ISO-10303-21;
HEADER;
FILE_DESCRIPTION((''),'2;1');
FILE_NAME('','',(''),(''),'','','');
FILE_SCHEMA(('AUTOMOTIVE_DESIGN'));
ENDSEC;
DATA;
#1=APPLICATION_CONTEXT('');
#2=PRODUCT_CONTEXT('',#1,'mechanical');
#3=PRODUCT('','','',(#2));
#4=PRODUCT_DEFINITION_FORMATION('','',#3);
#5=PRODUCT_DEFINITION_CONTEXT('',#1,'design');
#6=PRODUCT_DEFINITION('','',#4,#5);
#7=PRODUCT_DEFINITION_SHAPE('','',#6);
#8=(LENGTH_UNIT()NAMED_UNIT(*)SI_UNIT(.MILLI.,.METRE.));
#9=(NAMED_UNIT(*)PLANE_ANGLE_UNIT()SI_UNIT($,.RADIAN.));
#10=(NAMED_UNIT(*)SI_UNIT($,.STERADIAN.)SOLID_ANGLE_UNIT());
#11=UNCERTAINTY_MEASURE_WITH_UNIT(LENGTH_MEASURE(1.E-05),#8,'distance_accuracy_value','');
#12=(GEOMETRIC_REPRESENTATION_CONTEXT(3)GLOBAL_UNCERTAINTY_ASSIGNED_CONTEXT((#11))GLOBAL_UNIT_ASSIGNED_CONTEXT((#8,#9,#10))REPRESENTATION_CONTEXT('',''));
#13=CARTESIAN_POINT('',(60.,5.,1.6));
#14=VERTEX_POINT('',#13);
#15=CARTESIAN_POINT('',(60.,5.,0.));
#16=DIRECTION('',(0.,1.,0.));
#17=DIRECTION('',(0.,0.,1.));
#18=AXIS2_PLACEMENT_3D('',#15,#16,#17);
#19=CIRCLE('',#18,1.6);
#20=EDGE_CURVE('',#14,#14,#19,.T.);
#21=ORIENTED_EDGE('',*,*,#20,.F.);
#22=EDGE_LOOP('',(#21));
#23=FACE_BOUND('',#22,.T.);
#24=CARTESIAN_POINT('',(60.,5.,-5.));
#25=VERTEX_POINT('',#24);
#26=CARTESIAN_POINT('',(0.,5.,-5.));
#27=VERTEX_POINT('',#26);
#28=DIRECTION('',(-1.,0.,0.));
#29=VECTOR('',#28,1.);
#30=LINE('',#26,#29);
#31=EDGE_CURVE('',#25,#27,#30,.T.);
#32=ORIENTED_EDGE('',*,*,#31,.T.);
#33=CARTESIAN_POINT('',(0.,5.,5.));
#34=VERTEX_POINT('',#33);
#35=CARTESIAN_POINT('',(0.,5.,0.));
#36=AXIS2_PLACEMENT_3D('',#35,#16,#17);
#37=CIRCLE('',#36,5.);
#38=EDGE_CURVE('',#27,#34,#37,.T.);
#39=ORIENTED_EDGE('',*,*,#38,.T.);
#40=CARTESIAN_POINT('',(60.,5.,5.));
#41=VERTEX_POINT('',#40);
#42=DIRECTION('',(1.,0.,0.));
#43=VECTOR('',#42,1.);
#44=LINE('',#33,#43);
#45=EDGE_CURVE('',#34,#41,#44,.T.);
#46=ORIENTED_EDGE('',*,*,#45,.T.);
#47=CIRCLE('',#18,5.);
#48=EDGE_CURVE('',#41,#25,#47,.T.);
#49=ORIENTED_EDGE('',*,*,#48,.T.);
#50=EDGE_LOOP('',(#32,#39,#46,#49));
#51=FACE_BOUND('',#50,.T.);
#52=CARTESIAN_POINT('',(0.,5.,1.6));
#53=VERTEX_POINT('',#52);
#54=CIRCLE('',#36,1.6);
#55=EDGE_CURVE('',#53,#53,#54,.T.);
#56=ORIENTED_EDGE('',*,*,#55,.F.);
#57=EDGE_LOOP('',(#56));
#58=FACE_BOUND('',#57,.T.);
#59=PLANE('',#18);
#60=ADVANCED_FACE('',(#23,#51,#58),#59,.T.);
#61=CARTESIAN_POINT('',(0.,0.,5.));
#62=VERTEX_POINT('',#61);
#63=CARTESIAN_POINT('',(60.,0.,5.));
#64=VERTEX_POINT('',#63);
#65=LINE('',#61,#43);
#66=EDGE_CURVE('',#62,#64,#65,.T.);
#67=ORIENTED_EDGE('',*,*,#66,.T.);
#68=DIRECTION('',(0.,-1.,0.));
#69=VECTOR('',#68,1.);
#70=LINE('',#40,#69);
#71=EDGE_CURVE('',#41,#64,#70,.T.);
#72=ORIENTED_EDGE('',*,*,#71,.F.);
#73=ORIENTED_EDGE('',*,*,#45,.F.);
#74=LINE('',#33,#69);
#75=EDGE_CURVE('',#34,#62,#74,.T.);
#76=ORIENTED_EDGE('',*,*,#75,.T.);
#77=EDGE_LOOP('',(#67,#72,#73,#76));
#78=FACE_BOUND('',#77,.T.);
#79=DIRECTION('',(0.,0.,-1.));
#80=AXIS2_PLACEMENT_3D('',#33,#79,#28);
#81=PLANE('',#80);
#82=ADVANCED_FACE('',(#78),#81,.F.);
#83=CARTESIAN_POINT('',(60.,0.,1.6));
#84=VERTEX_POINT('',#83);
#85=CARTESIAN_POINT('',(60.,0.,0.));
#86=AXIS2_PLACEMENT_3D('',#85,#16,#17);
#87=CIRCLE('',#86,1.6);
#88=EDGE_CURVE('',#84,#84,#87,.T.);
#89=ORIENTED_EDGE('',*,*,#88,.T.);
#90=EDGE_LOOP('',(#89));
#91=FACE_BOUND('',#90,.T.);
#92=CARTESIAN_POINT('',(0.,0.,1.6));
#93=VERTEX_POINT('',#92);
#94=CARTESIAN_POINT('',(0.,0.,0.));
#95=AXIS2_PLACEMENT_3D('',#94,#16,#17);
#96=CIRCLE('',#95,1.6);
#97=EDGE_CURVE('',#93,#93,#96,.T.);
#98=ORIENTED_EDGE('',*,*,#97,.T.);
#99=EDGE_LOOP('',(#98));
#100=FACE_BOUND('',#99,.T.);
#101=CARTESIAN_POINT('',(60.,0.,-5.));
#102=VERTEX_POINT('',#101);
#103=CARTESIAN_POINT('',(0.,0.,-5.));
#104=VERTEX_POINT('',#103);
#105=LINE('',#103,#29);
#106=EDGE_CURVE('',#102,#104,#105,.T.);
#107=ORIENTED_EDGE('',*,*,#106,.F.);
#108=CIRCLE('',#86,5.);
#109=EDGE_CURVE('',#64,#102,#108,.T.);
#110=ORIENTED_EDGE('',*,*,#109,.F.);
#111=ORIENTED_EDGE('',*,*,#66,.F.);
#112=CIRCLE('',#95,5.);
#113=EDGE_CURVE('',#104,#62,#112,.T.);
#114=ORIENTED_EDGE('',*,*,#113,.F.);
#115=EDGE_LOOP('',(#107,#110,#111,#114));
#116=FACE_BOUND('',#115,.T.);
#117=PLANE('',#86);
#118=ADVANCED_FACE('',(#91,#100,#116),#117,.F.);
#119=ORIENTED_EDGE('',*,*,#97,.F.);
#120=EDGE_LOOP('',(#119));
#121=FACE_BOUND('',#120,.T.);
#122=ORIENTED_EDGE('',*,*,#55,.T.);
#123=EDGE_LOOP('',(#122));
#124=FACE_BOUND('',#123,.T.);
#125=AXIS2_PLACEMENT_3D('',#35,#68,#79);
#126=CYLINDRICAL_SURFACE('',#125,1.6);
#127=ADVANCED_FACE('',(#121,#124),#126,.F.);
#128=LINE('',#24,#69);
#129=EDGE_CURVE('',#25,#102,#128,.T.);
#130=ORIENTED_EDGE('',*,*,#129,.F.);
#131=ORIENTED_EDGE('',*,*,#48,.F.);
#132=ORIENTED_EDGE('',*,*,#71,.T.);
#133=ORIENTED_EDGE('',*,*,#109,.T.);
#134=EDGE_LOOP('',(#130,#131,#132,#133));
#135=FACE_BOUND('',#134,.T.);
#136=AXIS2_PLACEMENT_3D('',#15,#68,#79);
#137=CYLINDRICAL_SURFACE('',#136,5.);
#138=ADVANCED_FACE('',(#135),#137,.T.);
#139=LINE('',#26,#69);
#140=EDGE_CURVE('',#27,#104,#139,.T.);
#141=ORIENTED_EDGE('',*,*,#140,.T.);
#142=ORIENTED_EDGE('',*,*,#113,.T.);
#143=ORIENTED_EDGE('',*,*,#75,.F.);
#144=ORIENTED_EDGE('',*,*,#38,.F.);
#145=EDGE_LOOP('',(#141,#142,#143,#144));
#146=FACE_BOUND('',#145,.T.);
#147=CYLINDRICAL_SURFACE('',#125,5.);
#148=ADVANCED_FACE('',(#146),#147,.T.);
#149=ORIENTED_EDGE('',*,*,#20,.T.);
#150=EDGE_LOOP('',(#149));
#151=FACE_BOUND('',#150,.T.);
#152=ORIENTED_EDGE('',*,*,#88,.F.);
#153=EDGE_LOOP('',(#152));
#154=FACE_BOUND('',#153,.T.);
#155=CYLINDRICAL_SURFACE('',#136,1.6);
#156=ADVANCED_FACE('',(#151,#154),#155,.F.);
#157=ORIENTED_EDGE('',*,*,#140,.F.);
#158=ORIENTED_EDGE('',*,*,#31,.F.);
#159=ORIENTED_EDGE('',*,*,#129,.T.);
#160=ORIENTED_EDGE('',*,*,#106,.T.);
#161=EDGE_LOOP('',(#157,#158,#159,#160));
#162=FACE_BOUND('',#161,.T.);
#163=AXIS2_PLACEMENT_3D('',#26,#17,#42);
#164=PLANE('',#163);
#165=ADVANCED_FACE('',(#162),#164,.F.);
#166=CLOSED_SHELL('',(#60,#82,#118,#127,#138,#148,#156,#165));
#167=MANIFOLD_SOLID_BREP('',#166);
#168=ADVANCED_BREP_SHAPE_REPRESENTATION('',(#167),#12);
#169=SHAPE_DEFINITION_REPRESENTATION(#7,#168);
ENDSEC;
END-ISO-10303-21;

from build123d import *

# Parameters (mm, degrees)
SKETCH_1_R      = 1.6
EXTRUDE_1_DEPTH = 5


with BuildPart() as part:
    # ｽｹｯﾁ1 → ﾎﾞｽ - 押し出し1 (new body)
    with BuildSketch(Plane(origin=(0, 0, 0), x_dir=(1, 0, 0), z_dir=(0, 1, 0))):
        with BuildLine():
            Line((0, -5), (60, -5))
            ThreePointArc((60, -5), (65, 0), (60, 5))
            Line((60, 5), (0, 5))
            ThreePointArc((0, 5), (-5, 0), (0, -5))
        make_face()
        with Locations(Location((0, 0, 0), (0, 0, 270))):
            Circle(SKETCH_1_R, mode=Mode.SUBTRACT)
        with Locations(Location((60, 0, 0), (0, 0, 270))):
            Circle(SKETCH_1_R, mode=Mode.SUBTRACT)
    extrude(amount=EXTRUDE_1_DEPTH)


solid = part.part
